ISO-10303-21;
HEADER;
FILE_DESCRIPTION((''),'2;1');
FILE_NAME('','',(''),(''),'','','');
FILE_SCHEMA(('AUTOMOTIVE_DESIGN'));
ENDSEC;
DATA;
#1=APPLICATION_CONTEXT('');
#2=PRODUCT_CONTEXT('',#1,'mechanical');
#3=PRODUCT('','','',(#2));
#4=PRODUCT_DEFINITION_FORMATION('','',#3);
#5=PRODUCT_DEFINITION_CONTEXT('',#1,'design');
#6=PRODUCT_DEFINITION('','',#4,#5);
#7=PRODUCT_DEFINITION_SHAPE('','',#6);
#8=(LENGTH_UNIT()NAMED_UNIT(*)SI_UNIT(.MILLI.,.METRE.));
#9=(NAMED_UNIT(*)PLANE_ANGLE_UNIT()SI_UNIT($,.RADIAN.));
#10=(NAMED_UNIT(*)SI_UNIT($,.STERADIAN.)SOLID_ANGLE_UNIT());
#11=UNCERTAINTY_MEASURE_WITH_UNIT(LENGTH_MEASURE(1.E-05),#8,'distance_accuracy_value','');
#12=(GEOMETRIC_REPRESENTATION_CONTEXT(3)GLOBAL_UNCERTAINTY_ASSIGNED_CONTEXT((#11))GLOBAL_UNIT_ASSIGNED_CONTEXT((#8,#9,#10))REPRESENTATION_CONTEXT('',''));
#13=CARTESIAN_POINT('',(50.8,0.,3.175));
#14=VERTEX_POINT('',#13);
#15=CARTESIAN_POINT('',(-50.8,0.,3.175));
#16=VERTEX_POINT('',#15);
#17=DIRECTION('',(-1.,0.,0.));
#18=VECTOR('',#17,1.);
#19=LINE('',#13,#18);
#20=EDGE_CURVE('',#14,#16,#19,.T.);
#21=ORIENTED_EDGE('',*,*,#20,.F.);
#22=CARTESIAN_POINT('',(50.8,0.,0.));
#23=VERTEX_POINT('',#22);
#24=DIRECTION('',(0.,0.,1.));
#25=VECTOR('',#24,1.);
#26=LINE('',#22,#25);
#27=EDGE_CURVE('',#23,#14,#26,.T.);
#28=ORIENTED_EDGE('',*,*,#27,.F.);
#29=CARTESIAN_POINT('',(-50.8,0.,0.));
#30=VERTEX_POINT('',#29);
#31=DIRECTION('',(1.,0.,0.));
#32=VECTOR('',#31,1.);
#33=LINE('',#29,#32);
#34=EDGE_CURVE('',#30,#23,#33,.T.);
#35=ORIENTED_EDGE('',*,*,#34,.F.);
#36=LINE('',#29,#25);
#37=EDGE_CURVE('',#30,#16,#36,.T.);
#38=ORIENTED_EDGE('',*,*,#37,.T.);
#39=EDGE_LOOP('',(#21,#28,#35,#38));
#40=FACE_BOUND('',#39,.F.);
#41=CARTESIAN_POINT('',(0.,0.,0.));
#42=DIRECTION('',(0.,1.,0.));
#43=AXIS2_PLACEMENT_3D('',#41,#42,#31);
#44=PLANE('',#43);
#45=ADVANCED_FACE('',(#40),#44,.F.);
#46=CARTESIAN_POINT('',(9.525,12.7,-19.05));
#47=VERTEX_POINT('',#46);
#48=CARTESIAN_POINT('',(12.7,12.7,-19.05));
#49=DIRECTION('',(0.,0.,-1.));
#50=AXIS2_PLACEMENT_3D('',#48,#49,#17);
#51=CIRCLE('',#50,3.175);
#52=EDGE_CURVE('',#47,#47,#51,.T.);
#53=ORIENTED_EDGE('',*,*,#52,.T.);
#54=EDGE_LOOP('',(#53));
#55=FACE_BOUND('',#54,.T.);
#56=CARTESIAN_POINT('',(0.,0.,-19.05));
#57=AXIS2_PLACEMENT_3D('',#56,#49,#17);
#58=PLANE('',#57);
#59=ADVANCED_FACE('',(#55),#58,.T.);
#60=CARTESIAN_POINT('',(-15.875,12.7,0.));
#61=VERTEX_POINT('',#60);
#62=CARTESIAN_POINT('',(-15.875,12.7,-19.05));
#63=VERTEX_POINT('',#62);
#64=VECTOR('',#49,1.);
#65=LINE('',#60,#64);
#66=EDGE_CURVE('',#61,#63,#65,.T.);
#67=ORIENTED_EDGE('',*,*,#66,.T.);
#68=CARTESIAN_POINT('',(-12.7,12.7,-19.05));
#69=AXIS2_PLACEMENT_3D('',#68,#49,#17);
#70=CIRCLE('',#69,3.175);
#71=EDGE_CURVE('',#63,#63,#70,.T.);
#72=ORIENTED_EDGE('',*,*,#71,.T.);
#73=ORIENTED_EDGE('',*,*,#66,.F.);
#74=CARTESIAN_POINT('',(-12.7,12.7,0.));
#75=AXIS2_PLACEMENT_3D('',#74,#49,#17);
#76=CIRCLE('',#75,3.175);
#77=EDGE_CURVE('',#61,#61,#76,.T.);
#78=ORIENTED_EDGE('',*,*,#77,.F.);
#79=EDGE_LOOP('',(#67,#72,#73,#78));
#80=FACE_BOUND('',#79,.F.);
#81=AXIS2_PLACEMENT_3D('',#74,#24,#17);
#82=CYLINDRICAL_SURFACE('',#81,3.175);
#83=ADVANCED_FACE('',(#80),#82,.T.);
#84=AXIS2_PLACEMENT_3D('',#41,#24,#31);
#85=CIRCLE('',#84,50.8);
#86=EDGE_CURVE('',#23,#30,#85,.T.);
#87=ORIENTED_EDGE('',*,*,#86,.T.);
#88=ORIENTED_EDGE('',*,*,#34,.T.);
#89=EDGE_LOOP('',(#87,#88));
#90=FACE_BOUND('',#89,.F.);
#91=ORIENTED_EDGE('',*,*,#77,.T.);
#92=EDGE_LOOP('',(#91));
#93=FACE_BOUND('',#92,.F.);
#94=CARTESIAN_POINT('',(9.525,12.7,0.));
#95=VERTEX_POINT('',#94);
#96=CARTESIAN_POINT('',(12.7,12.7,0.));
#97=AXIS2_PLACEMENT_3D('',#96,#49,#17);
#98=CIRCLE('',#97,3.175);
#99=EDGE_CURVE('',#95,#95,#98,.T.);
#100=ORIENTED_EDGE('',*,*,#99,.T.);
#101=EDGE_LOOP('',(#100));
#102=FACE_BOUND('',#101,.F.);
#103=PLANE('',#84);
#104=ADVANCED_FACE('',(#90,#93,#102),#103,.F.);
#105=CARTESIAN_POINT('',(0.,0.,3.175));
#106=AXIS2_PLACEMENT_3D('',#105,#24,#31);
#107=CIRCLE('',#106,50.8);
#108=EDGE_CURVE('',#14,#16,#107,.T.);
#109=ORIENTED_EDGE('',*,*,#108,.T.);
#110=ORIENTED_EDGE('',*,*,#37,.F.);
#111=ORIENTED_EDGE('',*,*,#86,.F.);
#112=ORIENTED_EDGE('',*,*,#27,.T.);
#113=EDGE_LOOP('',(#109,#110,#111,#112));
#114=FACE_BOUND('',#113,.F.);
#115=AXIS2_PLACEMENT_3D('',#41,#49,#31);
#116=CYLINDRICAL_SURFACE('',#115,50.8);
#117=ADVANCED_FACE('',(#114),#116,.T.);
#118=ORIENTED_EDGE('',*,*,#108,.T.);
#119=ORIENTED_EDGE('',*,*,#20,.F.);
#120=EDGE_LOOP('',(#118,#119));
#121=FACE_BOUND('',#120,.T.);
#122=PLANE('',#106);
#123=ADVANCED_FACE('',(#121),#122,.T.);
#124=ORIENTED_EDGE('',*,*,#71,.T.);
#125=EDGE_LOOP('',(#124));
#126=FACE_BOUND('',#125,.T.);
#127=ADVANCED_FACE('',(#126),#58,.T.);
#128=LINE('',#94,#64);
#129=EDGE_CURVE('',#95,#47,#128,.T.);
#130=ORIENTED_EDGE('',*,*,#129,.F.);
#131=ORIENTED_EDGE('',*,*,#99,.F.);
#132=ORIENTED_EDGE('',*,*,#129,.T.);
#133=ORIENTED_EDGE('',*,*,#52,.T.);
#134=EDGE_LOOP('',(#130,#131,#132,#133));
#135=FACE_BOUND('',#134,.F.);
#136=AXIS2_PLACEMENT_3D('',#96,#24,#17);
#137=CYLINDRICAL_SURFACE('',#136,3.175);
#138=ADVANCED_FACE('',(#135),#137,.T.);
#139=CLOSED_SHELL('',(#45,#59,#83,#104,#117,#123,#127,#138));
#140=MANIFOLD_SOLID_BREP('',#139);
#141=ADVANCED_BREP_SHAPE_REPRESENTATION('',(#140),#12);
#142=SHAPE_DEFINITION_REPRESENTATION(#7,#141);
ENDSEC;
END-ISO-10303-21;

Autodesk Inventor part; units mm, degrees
ref_plane "YZ Plane" through (0, 0, 0) normal (1, 0, 0) x (0, 1, 0)
ref_plane "XZ Plane" through (0, 0, 0) normal (0, 1, 0) x (-1, 0, 0)
ref_plane "XY Plane" through (0, 0, 0) normal (0, 0, 1) x (1, 0, 0)
sketch "Sketch1" plane through (0, 0, 0) normal (0, 0, 1) x (1, 0, 0)
  arc A0 (50.8, 0) -> (-50.8, 0) centre (0, 0) ccw
  line L0 (0, 0) -> (50.8, 0)
  line L1 (0, 0) -> (-50.8, 0)
  dimension "d0" = 101.6
extrude "Extrusion1" add sketch "Sketch1" along normal blind 3.175
sketch "Sketch4" plane through (0, 0, 0) normal (0, 0, -1) x (-1, 0, 0)
  line L0 (0, 0) -> (0, 12.7) construction
  line L1 (0, 12.7) -> (12.7, 12.7) construction
  circle A0 centre (12.7, 12.7) radius 3.175
  circle A1 centre (-12.7, 12.7) radius 3.175
  dimension "d15" = 12.7
  dimension "d16" = 12.7
  dimension "d17" = 6.35
extrude "Extrusion5" add sketch "Sketch4" along normal blind 19.05
sketch "Sketch5" plane through (0, 0, 3.175) normal (0, 0, 1) x (1, 0, 0)
  line L0 (-2.5936, 17.577) -> (2.4467, 17.6618)
  line L1 (2.4467, 17.6618) -> (5.0403, 13.3391)
  line L2 (5.0403, 13.3391) -> (2.5936, 8.9317)
  line L3 (2.5936, 8.9317) -> (-2.4467, 8.8469)
  line L4 (-2.4467, 8.8469) -> (-5.0403, 13.1696)
  line L5 (-5.0403, 13.1696) -> (-2.5936, 17.577)
  line L6 (0, 0) -> (0, 21.7215) construction
  point P0 (0, 13.2543)
  dimension "d22" = 4.3656
  dimension "d23" = 0
properties part number "Rear"
